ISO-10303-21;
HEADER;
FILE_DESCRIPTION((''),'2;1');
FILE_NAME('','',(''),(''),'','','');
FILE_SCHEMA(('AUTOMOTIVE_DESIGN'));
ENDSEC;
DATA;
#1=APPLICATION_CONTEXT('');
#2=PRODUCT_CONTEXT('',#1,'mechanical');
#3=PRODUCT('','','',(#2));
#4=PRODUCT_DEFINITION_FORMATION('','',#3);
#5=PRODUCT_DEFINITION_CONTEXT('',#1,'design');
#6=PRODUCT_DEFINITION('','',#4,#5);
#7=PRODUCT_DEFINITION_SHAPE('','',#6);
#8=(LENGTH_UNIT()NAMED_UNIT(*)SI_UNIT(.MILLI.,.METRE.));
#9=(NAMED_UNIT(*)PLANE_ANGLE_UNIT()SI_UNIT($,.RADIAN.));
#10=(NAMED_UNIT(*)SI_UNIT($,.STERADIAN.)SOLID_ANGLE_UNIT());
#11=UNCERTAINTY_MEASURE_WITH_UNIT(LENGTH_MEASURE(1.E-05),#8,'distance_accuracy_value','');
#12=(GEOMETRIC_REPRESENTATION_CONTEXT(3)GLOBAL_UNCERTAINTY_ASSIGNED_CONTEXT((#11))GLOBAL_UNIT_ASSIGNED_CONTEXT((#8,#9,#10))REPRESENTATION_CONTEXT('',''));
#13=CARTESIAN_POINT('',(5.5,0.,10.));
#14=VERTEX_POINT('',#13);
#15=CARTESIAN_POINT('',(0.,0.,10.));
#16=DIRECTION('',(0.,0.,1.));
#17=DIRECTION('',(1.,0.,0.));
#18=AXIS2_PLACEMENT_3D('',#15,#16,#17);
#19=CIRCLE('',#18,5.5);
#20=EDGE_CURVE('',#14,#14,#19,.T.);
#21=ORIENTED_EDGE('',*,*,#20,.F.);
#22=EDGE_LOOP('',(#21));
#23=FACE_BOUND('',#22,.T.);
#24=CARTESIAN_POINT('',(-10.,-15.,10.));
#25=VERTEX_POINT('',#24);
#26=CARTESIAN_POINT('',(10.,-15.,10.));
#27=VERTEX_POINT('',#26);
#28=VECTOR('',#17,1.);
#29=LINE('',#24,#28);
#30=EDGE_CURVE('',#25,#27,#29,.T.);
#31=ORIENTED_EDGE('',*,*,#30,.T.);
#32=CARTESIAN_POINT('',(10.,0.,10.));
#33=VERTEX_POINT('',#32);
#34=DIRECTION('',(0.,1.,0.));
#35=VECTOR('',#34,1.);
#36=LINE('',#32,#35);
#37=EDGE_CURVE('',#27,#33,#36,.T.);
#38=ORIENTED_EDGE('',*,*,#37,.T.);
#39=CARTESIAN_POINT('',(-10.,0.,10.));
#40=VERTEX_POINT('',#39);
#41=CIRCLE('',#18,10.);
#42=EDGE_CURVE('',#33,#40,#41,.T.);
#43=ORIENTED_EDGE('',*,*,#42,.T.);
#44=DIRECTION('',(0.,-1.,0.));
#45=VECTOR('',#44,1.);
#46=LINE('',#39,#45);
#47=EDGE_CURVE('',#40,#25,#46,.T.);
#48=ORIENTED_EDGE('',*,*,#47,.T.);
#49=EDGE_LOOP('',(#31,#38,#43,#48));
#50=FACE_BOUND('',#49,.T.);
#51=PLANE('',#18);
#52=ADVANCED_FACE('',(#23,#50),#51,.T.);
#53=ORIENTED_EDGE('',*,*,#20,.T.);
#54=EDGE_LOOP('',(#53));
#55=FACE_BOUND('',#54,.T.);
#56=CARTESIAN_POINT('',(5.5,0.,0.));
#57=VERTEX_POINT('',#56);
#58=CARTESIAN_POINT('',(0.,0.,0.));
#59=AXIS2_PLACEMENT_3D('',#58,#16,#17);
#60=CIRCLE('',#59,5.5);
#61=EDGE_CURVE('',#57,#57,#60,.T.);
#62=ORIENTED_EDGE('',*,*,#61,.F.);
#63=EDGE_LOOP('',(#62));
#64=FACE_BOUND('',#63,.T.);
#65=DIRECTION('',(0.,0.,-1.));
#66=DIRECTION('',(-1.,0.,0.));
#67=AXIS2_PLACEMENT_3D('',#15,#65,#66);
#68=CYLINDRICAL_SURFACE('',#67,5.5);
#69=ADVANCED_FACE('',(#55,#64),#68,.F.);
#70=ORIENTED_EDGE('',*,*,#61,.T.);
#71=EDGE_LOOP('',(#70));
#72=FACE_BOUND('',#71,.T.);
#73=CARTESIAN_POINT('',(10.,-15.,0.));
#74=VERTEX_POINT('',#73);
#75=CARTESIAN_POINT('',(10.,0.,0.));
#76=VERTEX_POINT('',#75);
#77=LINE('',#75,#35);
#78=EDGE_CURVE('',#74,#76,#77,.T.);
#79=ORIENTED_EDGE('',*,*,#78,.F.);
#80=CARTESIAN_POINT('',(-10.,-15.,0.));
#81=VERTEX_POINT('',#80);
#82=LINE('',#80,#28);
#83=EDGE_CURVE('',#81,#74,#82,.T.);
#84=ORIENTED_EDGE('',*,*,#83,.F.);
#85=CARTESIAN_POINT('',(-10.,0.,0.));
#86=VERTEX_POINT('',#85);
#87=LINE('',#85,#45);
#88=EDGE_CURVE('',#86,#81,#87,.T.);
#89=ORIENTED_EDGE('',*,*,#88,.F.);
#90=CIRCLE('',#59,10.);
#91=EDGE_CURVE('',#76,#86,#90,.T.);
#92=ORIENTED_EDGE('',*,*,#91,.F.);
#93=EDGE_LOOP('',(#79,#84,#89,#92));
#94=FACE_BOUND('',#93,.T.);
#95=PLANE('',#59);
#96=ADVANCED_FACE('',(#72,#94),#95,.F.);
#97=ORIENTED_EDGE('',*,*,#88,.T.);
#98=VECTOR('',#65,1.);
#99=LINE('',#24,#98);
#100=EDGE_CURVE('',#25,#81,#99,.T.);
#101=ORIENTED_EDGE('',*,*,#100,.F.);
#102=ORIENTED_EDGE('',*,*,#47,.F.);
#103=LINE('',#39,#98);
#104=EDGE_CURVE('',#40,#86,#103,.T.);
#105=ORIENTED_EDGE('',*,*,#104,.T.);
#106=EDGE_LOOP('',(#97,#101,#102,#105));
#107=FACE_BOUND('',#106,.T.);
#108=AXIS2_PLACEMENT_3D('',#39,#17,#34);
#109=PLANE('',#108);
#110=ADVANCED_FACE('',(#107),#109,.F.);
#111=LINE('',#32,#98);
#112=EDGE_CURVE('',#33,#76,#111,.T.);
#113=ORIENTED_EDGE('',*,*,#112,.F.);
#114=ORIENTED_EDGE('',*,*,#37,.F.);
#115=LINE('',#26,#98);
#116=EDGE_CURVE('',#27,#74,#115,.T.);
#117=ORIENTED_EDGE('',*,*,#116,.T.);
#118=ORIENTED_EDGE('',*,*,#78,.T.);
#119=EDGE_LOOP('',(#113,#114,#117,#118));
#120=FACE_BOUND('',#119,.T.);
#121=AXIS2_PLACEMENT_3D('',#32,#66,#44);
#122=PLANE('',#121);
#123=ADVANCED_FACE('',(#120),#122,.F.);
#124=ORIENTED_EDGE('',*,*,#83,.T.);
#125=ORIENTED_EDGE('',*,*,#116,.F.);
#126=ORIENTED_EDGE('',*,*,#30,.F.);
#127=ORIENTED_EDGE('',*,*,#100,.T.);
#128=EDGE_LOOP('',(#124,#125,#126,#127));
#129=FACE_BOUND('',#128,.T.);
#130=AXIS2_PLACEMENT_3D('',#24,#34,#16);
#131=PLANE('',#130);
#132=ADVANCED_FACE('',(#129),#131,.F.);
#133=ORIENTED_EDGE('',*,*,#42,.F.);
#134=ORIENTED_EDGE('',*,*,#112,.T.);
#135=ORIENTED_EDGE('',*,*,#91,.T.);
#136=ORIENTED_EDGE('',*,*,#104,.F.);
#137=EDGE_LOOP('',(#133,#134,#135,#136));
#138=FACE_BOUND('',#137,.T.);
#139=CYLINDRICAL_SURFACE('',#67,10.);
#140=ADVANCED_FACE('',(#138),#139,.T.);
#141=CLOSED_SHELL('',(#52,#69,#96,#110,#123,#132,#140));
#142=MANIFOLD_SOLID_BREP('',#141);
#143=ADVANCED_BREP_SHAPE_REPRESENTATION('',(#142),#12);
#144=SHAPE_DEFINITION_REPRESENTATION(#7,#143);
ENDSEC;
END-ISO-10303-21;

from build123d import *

# Parameters (mm, degrees)
SKETCH1_R           = 5.5
BOSS_EXTRUDE1_DEPTH = 10


with BuildPart() as part:
    # Sketch1 → Boss-Extrude1 (new body)
    with BuildSketch(Plane.XY):
        with BuildLine():
            Line((-10, 0), (-10, -15))
            Line((-10, -15), (10, -15))
            Line((10, -15), (10, 0))
            ThreePointArc((10, 0), (0, 10), (-10, 0))
        make_face()
        Circle(SKETCH1_R, mode=Mode.SUBTRACT)
    extrude(amount=BOSS_EXTRUDE1_DEPTH)


solid = part.part
